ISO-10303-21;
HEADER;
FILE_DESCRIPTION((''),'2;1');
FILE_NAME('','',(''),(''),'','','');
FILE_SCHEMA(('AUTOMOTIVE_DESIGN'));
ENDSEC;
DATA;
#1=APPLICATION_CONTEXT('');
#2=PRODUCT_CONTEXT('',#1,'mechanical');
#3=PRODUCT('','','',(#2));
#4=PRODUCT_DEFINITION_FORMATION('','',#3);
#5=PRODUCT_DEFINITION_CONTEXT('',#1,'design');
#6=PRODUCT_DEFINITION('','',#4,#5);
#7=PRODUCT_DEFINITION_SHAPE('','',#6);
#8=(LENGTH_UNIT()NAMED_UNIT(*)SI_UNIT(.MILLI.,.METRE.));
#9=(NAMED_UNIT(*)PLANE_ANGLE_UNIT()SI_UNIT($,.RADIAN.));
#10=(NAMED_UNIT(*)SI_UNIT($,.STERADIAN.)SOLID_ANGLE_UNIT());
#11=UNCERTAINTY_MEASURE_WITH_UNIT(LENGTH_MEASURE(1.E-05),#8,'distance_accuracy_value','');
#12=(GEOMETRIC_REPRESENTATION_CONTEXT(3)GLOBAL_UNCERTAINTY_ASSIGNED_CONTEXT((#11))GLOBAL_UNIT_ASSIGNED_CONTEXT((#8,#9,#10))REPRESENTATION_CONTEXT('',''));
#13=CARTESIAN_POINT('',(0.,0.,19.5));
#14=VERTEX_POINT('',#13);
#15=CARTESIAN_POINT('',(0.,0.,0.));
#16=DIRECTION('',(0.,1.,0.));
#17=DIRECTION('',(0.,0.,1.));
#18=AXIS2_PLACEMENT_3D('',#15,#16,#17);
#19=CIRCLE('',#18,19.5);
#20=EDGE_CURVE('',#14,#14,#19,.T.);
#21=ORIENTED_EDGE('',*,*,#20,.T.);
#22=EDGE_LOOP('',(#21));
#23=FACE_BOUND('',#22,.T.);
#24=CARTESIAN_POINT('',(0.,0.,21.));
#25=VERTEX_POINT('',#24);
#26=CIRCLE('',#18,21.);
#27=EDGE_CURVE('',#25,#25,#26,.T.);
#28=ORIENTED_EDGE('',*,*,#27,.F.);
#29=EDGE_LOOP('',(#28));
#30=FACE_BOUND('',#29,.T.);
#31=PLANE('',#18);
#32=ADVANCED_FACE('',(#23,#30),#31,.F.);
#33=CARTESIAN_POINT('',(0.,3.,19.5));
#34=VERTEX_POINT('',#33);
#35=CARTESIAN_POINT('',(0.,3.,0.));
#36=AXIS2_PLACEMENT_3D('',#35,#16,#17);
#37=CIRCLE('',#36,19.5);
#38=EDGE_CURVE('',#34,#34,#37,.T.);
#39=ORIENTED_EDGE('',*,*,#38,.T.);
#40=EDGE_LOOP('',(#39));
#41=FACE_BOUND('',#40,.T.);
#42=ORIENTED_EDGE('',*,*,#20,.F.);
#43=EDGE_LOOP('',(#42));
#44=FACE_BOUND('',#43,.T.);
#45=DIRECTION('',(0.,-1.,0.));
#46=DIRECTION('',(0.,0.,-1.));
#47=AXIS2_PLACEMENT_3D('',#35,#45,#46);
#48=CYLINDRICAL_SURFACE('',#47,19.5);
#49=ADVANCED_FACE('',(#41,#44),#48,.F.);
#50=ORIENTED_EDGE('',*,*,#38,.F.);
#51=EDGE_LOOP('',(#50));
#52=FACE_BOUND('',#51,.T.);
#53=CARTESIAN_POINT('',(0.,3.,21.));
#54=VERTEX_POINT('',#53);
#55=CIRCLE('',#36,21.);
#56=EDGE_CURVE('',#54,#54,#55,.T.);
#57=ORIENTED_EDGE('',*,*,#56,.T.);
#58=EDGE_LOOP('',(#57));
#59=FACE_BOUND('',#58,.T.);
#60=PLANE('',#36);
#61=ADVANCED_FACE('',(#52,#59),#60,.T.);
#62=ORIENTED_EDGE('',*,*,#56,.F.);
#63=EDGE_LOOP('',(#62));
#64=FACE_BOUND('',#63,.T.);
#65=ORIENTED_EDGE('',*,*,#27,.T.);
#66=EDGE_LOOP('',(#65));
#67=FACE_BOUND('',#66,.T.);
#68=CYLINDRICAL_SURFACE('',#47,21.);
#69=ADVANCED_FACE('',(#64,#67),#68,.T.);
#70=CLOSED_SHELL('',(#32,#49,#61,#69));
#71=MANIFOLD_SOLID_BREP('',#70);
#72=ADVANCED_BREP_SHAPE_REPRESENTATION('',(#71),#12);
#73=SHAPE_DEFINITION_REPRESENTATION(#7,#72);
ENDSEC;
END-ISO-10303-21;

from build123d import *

# Parameters (mm, degrees)
SKETCH_1_R      = 21
SKETCH_1_R_2    = 19.5
EXTRUDE_1_DEPTH = 3


with BuildPart() as part:
    # Эскиз1 → Бобышка-Вытянуть1 (new body)
    with BuildSketch(Plane(origin=(0, 0, 0), x_dir=(1, 0, 0), z_dir=(0, 1, 0))):
        with Locations(Location((0, 0, 0), (0, 0, 270))):
            Circle(SKETCH_1_R)
        with Locations(Location((0, 0, 0), (0, 0, 270))):
            Circle(SKETCH_1_R_2, mode=Mode.SUBTRACT)
    extrude(amount=EXTRUDE_1_DEPTH)


solid = part.part
